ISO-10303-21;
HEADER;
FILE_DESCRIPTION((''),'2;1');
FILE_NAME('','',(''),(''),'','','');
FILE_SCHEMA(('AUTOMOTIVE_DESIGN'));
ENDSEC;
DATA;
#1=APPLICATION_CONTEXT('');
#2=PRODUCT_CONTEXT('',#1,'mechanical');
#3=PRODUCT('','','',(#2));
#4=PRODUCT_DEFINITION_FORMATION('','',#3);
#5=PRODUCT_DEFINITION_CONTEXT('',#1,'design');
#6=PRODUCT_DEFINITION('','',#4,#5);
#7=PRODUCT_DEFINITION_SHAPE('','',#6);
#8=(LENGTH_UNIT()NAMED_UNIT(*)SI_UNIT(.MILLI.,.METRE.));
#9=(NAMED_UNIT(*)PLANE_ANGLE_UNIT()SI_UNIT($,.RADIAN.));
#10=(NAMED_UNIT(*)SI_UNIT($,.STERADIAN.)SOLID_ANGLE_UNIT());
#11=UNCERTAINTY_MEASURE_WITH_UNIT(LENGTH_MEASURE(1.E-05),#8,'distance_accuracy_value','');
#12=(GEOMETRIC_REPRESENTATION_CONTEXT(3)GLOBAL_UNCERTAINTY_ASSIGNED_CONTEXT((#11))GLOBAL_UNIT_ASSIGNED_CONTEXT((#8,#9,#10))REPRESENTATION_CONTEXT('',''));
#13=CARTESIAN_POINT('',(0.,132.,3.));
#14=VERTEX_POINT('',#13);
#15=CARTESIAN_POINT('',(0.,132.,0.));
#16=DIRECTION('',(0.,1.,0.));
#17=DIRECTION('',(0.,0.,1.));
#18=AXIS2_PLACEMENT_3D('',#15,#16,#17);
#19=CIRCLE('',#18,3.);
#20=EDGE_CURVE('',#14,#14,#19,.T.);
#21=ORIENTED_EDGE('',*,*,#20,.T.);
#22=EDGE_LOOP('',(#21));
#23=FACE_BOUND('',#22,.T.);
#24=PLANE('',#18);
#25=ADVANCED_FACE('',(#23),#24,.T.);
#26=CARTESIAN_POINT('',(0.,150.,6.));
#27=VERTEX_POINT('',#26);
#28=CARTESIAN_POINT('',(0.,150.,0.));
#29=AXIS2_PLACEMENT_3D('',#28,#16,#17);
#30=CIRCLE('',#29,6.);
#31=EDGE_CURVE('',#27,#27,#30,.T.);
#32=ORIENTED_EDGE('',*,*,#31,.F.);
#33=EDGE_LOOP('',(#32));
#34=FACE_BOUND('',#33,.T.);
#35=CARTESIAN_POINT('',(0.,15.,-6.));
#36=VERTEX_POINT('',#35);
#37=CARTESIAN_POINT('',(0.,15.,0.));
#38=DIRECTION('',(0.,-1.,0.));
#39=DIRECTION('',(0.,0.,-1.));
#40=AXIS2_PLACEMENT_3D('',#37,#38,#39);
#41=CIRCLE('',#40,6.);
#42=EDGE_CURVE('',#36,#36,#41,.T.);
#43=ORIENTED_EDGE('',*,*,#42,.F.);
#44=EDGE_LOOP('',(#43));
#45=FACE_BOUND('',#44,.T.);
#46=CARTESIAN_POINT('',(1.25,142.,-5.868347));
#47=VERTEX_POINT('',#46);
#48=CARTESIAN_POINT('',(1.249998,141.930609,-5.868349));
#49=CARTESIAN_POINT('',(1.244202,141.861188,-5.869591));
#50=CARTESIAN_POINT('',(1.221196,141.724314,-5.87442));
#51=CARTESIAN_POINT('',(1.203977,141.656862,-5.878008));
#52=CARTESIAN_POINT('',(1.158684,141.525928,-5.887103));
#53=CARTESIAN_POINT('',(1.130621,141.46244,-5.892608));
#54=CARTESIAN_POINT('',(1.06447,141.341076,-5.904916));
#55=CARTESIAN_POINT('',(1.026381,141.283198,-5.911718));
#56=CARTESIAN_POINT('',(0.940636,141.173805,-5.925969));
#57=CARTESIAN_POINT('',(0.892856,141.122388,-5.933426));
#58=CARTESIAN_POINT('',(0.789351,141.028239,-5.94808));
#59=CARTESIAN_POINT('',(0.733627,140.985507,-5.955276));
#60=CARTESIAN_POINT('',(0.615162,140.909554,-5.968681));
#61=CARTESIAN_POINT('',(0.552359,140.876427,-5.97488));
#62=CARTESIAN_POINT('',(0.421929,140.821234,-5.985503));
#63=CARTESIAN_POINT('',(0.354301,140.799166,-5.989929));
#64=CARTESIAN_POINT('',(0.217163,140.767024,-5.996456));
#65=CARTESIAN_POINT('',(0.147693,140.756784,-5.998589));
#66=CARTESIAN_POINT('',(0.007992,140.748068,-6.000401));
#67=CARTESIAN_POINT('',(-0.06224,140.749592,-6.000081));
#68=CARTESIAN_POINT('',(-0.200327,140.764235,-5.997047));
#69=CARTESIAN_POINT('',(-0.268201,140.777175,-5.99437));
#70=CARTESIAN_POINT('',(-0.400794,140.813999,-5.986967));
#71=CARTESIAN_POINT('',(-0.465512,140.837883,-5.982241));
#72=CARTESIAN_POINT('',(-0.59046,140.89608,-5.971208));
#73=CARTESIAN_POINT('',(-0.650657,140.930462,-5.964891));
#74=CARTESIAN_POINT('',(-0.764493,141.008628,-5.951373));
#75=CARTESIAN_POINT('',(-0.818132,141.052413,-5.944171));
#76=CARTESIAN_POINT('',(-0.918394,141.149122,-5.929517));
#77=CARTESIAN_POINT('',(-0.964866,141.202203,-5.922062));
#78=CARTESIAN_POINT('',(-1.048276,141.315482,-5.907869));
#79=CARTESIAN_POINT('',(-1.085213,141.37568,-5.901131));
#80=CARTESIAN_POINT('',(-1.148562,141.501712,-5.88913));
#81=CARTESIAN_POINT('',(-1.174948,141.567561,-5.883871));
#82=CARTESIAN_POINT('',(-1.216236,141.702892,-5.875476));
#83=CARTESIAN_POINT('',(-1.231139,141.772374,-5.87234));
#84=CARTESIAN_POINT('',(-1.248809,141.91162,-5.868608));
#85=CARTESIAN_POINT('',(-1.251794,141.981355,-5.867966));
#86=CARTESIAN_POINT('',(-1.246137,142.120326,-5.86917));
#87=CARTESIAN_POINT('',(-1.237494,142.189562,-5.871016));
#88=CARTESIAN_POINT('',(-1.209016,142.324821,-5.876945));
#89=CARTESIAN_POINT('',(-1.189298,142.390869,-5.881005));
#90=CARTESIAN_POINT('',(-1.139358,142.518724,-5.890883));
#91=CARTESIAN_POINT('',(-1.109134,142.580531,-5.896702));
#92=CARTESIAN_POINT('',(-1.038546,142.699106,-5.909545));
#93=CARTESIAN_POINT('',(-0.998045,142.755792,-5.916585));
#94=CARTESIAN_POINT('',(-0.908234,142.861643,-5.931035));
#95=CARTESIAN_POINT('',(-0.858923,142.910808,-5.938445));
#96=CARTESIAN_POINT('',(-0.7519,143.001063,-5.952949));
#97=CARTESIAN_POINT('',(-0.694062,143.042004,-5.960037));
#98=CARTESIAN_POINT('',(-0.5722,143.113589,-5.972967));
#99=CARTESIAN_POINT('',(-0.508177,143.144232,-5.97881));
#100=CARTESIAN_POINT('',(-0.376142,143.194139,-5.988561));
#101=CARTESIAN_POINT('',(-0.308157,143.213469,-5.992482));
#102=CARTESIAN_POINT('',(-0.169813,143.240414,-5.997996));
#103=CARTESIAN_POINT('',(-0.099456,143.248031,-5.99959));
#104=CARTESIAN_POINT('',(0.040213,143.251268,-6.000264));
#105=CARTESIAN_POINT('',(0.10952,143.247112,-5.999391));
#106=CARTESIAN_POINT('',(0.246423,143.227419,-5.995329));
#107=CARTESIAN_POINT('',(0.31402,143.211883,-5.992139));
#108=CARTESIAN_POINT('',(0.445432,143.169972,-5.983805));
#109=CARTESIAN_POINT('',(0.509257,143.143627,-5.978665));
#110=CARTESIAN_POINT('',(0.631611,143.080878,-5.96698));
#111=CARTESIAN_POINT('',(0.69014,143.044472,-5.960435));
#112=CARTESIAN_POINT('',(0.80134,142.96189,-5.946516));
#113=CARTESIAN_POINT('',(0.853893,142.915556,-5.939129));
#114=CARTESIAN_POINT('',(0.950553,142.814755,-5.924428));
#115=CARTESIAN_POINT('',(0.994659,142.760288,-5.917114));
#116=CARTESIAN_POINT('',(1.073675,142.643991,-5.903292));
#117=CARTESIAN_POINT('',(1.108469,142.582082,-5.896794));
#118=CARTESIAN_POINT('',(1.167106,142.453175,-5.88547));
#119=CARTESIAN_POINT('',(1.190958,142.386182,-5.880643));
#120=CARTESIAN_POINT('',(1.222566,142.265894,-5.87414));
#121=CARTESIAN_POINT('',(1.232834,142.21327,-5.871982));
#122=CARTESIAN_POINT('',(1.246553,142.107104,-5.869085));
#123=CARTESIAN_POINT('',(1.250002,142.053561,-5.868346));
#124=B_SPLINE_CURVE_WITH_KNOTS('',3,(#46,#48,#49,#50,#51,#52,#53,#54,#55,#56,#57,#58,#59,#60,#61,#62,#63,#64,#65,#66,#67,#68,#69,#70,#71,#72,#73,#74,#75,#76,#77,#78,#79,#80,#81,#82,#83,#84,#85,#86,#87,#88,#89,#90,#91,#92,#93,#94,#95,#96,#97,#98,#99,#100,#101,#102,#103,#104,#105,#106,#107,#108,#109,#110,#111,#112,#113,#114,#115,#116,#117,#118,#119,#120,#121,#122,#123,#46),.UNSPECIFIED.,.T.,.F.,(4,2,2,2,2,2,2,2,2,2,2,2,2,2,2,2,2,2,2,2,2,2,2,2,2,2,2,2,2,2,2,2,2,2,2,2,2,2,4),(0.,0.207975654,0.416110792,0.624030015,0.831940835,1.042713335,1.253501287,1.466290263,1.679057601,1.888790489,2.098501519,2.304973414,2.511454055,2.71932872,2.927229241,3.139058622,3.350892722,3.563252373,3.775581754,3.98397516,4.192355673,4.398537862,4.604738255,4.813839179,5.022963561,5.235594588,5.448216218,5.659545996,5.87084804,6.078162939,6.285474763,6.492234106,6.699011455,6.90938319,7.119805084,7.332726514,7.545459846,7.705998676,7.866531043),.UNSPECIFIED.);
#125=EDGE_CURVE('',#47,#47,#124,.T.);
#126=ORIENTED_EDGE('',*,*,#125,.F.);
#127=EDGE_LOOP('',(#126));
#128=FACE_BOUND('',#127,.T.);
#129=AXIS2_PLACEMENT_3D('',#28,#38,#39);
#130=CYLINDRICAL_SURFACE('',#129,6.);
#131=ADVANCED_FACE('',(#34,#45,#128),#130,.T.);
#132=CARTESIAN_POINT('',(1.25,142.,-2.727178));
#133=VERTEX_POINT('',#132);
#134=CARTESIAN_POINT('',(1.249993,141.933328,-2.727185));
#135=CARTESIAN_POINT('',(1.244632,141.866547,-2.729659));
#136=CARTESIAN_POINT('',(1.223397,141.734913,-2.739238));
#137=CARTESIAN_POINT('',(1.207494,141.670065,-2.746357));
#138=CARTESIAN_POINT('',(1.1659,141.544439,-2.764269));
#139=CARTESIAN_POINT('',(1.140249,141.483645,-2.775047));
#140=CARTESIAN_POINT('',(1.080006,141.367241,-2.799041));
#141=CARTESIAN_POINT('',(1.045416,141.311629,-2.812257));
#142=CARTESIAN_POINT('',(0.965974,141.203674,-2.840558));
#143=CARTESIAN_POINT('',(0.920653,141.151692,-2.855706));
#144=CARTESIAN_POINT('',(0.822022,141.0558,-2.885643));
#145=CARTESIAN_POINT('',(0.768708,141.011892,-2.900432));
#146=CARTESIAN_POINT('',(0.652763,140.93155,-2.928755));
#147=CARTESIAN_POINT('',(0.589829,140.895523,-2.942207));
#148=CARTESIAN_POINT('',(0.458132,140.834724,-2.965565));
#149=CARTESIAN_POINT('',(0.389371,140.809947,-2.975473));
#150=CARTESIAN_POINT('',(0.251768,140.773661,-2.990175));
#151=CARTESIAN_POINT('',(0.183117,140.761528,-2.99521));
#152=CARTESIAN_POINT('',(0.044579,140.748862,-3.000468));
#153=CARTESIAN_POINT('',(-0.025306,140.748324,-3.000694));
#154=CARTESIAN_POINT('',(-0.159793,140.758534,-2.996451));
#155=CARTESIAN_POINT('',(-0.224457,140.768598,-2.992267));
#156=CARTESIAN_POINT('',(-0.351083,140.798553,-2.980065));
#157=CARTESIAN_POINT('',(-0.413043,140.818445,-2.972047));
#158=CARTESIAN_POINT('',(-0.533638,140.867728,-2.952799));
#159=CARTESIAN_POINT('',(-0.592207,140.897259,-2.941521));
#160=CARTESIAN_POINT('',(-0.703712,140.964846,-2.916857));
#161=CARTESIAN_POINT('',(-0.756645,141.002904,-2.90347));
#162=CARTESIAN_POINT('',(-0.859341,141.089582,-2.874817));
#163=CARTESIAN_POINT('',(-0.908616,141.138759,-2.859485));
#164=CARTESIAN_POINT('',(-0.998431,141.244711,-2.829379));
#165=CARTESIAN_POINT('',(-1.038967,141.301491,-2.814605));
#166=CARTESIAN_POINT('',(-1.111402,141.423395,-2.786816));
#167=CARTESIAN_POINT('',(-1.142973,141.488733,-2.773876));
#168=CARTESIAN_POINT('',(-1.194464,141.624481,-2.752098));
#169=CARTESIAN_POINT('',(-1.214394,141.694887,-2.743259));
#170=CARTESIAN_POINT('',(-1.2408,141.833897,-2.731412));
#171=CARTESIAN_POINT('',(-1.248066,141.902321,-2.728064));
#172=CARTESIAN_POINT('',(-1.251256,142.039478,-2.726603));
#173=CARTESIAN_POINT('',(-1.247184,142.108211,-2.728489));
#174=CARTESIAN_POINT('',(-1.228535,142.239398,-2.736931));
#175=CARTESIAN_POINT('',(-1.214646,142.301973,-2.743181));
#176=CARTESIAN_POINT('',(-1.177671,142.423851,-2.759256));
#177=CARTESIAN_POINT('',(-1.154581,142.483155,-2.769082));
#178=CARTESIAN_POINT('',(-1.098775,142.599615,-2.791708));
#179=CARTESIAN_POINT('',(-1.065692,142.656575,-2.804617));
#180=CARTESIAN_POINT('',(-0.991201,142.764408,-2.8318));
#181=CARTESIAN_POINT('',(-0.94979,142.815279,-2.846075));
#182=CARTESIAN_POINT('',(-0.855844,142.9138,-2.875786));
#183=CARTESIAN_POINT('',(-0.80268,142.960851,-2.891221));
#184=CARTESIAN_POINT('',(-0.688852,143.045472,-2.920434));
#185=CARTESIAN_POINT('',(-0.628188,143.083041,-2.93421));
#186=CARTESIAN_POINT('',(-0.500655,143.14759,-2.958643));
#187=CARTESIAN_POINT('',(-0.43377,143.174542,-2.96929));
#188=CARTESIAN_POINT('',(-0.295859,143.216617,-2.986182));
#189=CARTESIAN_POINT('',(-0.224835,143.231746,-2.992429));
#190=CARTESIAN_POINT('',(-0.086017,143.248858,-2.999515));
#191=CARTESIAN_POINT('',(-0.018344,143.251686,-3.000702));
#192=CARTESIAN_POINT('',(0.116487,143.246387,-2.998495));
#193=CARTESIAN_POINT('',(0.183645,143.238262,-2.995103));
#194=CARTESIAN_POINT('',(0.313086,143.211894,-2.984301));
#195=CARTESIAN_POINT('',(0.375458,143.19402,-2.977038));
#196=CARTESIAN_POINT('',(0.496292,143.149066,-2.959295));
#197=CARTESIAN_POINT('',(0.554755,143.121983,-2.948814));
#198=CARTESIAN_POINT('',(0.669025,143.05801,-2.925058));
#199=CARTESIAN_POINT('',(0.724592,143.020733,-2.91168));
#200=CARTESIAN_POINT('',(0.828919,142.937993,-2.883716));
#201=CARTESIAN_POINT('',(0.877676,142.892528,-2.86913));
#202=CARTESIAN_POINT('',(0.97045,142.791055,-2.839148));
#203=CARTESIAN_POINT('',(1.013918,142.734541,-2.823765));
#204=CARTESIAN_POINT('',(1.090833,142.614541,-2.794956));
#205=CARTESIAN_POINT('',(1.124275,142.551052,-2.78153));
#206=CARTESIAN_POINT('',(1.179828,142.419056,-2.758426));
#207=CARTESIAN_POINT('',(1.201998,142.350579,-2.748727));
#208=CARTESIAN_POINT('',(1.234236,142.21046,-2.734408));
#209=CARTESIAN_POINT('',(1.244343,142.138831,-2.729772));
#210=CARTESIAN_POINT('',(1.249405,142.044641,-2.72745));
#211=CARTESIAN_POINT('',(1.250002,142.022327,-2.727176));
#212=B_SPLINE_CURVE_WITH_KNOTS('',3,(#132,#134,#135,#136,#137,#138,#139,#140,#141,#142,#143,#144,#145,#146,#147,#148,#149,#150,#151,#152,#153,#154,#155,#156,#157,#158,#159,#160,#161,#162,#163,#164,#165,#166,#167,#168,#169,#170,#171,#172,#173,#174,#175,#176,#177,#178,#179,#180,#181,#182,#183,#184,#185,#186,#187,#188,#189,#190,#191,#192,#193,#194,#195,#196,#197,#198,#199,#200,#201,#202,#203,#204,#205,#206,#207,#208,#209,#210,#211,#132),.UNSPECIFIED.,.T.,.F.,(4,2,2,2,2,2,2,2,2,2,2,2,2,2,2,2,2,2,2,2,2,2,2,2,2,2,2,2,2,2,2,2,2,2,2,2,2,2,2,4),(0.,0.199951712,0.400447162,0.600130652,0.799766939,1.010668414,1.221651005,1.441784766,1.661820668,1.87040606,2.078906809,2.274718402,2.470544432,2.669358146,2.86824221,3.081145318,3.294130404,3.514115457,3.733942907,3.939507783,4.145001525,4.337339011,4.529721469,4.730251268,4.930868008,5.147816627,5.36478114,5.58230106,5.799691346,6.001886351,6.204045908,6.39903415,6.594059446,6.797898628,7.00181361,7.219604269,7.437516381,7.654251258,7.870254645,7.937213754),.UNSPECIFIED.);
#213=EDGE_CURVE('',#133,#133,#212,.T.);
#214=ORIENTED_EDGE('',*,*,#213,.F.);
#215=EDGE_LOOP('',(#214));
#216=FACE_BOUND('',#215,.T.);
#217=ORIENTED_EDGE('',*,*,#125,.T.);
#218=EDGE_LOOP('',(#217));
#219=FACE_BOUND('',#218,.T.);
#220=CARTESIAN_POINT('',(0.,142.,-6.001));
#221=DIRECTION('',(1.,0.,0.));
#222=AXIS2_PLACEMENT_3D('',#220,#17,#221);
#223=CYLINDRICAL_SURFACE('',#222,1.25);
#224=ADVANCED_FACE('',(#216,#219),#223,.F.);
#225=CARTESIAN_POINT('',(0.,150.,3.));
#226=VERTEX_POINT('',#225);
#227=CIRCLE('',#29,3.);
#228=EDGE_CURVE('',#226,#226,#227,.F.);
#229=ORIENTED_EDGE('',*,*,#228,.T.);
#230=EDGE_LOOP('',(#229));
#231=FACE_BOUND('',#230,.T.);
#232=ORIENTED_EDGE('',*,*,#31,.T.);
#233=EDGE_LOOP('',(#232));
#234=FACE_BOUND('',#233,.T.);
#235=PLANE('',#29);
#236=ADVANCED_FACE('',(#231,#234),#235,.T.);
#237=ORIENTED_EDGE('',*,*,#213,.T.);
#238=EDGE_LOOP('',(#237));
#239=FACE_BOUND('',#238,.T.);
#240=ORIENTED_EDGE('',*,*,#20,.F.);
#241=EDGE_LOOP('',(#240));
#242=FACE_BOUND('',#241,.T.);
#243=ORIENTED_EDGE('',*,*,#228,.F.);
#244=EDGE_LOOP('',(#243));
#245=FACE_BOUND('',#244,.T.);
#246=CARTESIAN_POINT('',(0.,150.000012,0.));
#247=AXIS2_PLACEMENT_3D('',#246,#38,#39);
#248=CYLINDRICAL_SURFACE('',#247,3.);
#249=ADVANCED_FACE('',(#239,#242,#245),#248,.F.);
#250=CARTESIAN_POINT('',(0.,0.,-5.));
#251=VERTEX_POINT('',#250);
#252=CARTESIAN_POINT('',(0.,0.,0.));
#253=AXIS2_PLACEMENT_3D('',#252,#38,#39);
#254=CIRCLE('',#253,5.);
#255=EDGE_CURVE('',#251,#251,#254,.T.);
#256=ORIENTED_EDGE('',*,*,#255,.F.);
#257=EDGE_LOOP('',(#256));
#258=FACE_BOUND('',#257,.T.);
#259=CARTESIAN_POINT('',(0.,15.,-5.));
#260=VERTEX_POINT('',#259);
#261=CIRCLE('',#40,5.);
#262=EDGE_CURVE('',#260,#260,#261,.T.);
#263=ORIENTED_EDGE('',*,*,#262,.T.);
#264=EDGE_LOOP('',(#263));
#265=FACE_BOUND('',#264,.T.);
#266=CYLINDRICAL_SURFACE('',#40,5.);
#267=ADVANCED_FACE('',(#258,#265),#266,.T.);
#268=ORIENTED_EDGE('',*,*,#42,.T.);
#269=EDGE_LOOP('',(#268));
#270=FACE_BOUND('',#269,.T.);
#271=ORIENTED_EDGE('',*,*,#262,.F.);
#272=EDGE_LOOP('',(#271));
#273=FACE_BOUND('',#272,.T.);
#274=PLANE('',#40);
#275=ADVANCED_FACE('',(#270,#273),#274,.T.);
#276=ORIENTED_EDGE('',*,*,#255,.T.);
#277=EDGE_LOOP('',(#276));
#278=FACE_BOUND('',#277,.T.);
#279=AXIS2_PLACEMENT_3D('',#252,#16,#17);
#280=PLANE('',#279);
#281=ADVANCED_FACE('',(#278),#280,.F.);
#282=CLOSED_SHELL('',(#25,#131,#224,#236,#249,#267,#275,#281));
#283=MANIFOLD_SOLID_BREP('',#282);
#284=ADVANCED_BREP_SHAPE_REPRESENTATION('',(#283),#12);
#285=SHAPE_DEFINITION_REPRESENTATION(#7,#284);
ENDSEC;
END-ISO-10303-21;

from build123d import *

# Parameters (mm, degrees)
SKETCH_1_R               = 6
EXTRUDE_2_DEPTH          = 150
CUT_EXTRUDE_2_DEPTH      = 151.239808307
CUT_EXTRUDE_2_DEPTH_BACK = 18
SKETCH_3_R               = 3
CUT_EXTRUDE_4_REACH      = 152.24
CUT_EXTRUDE_4_END_RADIUS = 6
SKETCH_4_R               = 1.25
SKETCH_5_R               = 6
SKETCH_5_R_2             = 5
CUT_EXTRUDE_5_DEPTH      = 15


with BuildPart() as part:
    # ｽｹｯﾁ1 → ﾎﾞｽ - 押し出し2 (new body)
    with BuildSketch(Plane(origin=(0, 0, 0), x_dir=(1, 0, 0), z_dir=(0, 1, 0))):
        with Locations(Location((0, 0, 0), (0, 0, 270))):
            Circle(SKETCH_1_R)
    extrude(amount=EXTRUDE_2_DEPTH)

    # ｽｹｯﾁ3 → ｶｯﾄ - 押し出し2 (cut, two sides: drawn at the far end of the back side and taken through both)
    with BuildSketch(Plane(origin=(0, 150, 0), x_dir=(1, 0, 0), z_dir=(0, 1, 0)).offset(-CUT_EXTRUDE_2_DEPTH_BACK)):
        with Locations(Location((0, 0, 0), (0, 0, 90))):
            Circle(SKETCH_3_R)
    extrude(amount=CUT_EXTRUDE_2_DEPTH + CUT_EXTRUDE_2_DEPTH_BACK, mode=Mode.SUBTRACT)

    # ｶｯﾄ - 押し出し4: up to this cylinder (the profile starts inside it)
    cut_extrude_4_end = Plane(origin=(0, 142, 0), z_dir=(0, -1, 0)) * Cylinder(CUT_EXTRUDE_4_END_RADIUS, 317.48, mode=Mode.PRIVATE)
    # ｽｹｯﾁ4 → ｶｯﾄ - 押し出し4 (cut, up to the surface)
    with BuildSketch(Plane.XY, mode=Mode.PRIVATE) as cut_extrude_4_sk1:
        with Locations((0, 142)):
            Circle(SKETCH_4_R)
    cut_extrude_4_tool1 = extrude(cut_extrude_4_sk1.sketch, amount=-CUT_EXTRUDE_4_REACH, mode=Mode.PRIVATE) & cut_extrude_4_end
    add(cut_extrude_4_tool1.solids().sort_by_distance((0, 142, 0))[0], mode=Mode.SUBTRACT)

    # ｽｹｯﾁ5 → ｶｯﾄ - 押し出し5 (cut)
    with BuildSketch(Plane.XZ):
        with Locations(Location((0, 0, 0), (0, 0, 270))):
            Circle(SKETCH_5_R)
        with Locations(Location((0, 0, 0), (0, 0, 270))):
            Circle(SKETCH_5_R_2, mode=Mode.SUBTRACT)
    extrude(amount=-CUT_EXTRUDE_5_DEPTH, mode=Mode.SUBTRACT)


solid = part.part
